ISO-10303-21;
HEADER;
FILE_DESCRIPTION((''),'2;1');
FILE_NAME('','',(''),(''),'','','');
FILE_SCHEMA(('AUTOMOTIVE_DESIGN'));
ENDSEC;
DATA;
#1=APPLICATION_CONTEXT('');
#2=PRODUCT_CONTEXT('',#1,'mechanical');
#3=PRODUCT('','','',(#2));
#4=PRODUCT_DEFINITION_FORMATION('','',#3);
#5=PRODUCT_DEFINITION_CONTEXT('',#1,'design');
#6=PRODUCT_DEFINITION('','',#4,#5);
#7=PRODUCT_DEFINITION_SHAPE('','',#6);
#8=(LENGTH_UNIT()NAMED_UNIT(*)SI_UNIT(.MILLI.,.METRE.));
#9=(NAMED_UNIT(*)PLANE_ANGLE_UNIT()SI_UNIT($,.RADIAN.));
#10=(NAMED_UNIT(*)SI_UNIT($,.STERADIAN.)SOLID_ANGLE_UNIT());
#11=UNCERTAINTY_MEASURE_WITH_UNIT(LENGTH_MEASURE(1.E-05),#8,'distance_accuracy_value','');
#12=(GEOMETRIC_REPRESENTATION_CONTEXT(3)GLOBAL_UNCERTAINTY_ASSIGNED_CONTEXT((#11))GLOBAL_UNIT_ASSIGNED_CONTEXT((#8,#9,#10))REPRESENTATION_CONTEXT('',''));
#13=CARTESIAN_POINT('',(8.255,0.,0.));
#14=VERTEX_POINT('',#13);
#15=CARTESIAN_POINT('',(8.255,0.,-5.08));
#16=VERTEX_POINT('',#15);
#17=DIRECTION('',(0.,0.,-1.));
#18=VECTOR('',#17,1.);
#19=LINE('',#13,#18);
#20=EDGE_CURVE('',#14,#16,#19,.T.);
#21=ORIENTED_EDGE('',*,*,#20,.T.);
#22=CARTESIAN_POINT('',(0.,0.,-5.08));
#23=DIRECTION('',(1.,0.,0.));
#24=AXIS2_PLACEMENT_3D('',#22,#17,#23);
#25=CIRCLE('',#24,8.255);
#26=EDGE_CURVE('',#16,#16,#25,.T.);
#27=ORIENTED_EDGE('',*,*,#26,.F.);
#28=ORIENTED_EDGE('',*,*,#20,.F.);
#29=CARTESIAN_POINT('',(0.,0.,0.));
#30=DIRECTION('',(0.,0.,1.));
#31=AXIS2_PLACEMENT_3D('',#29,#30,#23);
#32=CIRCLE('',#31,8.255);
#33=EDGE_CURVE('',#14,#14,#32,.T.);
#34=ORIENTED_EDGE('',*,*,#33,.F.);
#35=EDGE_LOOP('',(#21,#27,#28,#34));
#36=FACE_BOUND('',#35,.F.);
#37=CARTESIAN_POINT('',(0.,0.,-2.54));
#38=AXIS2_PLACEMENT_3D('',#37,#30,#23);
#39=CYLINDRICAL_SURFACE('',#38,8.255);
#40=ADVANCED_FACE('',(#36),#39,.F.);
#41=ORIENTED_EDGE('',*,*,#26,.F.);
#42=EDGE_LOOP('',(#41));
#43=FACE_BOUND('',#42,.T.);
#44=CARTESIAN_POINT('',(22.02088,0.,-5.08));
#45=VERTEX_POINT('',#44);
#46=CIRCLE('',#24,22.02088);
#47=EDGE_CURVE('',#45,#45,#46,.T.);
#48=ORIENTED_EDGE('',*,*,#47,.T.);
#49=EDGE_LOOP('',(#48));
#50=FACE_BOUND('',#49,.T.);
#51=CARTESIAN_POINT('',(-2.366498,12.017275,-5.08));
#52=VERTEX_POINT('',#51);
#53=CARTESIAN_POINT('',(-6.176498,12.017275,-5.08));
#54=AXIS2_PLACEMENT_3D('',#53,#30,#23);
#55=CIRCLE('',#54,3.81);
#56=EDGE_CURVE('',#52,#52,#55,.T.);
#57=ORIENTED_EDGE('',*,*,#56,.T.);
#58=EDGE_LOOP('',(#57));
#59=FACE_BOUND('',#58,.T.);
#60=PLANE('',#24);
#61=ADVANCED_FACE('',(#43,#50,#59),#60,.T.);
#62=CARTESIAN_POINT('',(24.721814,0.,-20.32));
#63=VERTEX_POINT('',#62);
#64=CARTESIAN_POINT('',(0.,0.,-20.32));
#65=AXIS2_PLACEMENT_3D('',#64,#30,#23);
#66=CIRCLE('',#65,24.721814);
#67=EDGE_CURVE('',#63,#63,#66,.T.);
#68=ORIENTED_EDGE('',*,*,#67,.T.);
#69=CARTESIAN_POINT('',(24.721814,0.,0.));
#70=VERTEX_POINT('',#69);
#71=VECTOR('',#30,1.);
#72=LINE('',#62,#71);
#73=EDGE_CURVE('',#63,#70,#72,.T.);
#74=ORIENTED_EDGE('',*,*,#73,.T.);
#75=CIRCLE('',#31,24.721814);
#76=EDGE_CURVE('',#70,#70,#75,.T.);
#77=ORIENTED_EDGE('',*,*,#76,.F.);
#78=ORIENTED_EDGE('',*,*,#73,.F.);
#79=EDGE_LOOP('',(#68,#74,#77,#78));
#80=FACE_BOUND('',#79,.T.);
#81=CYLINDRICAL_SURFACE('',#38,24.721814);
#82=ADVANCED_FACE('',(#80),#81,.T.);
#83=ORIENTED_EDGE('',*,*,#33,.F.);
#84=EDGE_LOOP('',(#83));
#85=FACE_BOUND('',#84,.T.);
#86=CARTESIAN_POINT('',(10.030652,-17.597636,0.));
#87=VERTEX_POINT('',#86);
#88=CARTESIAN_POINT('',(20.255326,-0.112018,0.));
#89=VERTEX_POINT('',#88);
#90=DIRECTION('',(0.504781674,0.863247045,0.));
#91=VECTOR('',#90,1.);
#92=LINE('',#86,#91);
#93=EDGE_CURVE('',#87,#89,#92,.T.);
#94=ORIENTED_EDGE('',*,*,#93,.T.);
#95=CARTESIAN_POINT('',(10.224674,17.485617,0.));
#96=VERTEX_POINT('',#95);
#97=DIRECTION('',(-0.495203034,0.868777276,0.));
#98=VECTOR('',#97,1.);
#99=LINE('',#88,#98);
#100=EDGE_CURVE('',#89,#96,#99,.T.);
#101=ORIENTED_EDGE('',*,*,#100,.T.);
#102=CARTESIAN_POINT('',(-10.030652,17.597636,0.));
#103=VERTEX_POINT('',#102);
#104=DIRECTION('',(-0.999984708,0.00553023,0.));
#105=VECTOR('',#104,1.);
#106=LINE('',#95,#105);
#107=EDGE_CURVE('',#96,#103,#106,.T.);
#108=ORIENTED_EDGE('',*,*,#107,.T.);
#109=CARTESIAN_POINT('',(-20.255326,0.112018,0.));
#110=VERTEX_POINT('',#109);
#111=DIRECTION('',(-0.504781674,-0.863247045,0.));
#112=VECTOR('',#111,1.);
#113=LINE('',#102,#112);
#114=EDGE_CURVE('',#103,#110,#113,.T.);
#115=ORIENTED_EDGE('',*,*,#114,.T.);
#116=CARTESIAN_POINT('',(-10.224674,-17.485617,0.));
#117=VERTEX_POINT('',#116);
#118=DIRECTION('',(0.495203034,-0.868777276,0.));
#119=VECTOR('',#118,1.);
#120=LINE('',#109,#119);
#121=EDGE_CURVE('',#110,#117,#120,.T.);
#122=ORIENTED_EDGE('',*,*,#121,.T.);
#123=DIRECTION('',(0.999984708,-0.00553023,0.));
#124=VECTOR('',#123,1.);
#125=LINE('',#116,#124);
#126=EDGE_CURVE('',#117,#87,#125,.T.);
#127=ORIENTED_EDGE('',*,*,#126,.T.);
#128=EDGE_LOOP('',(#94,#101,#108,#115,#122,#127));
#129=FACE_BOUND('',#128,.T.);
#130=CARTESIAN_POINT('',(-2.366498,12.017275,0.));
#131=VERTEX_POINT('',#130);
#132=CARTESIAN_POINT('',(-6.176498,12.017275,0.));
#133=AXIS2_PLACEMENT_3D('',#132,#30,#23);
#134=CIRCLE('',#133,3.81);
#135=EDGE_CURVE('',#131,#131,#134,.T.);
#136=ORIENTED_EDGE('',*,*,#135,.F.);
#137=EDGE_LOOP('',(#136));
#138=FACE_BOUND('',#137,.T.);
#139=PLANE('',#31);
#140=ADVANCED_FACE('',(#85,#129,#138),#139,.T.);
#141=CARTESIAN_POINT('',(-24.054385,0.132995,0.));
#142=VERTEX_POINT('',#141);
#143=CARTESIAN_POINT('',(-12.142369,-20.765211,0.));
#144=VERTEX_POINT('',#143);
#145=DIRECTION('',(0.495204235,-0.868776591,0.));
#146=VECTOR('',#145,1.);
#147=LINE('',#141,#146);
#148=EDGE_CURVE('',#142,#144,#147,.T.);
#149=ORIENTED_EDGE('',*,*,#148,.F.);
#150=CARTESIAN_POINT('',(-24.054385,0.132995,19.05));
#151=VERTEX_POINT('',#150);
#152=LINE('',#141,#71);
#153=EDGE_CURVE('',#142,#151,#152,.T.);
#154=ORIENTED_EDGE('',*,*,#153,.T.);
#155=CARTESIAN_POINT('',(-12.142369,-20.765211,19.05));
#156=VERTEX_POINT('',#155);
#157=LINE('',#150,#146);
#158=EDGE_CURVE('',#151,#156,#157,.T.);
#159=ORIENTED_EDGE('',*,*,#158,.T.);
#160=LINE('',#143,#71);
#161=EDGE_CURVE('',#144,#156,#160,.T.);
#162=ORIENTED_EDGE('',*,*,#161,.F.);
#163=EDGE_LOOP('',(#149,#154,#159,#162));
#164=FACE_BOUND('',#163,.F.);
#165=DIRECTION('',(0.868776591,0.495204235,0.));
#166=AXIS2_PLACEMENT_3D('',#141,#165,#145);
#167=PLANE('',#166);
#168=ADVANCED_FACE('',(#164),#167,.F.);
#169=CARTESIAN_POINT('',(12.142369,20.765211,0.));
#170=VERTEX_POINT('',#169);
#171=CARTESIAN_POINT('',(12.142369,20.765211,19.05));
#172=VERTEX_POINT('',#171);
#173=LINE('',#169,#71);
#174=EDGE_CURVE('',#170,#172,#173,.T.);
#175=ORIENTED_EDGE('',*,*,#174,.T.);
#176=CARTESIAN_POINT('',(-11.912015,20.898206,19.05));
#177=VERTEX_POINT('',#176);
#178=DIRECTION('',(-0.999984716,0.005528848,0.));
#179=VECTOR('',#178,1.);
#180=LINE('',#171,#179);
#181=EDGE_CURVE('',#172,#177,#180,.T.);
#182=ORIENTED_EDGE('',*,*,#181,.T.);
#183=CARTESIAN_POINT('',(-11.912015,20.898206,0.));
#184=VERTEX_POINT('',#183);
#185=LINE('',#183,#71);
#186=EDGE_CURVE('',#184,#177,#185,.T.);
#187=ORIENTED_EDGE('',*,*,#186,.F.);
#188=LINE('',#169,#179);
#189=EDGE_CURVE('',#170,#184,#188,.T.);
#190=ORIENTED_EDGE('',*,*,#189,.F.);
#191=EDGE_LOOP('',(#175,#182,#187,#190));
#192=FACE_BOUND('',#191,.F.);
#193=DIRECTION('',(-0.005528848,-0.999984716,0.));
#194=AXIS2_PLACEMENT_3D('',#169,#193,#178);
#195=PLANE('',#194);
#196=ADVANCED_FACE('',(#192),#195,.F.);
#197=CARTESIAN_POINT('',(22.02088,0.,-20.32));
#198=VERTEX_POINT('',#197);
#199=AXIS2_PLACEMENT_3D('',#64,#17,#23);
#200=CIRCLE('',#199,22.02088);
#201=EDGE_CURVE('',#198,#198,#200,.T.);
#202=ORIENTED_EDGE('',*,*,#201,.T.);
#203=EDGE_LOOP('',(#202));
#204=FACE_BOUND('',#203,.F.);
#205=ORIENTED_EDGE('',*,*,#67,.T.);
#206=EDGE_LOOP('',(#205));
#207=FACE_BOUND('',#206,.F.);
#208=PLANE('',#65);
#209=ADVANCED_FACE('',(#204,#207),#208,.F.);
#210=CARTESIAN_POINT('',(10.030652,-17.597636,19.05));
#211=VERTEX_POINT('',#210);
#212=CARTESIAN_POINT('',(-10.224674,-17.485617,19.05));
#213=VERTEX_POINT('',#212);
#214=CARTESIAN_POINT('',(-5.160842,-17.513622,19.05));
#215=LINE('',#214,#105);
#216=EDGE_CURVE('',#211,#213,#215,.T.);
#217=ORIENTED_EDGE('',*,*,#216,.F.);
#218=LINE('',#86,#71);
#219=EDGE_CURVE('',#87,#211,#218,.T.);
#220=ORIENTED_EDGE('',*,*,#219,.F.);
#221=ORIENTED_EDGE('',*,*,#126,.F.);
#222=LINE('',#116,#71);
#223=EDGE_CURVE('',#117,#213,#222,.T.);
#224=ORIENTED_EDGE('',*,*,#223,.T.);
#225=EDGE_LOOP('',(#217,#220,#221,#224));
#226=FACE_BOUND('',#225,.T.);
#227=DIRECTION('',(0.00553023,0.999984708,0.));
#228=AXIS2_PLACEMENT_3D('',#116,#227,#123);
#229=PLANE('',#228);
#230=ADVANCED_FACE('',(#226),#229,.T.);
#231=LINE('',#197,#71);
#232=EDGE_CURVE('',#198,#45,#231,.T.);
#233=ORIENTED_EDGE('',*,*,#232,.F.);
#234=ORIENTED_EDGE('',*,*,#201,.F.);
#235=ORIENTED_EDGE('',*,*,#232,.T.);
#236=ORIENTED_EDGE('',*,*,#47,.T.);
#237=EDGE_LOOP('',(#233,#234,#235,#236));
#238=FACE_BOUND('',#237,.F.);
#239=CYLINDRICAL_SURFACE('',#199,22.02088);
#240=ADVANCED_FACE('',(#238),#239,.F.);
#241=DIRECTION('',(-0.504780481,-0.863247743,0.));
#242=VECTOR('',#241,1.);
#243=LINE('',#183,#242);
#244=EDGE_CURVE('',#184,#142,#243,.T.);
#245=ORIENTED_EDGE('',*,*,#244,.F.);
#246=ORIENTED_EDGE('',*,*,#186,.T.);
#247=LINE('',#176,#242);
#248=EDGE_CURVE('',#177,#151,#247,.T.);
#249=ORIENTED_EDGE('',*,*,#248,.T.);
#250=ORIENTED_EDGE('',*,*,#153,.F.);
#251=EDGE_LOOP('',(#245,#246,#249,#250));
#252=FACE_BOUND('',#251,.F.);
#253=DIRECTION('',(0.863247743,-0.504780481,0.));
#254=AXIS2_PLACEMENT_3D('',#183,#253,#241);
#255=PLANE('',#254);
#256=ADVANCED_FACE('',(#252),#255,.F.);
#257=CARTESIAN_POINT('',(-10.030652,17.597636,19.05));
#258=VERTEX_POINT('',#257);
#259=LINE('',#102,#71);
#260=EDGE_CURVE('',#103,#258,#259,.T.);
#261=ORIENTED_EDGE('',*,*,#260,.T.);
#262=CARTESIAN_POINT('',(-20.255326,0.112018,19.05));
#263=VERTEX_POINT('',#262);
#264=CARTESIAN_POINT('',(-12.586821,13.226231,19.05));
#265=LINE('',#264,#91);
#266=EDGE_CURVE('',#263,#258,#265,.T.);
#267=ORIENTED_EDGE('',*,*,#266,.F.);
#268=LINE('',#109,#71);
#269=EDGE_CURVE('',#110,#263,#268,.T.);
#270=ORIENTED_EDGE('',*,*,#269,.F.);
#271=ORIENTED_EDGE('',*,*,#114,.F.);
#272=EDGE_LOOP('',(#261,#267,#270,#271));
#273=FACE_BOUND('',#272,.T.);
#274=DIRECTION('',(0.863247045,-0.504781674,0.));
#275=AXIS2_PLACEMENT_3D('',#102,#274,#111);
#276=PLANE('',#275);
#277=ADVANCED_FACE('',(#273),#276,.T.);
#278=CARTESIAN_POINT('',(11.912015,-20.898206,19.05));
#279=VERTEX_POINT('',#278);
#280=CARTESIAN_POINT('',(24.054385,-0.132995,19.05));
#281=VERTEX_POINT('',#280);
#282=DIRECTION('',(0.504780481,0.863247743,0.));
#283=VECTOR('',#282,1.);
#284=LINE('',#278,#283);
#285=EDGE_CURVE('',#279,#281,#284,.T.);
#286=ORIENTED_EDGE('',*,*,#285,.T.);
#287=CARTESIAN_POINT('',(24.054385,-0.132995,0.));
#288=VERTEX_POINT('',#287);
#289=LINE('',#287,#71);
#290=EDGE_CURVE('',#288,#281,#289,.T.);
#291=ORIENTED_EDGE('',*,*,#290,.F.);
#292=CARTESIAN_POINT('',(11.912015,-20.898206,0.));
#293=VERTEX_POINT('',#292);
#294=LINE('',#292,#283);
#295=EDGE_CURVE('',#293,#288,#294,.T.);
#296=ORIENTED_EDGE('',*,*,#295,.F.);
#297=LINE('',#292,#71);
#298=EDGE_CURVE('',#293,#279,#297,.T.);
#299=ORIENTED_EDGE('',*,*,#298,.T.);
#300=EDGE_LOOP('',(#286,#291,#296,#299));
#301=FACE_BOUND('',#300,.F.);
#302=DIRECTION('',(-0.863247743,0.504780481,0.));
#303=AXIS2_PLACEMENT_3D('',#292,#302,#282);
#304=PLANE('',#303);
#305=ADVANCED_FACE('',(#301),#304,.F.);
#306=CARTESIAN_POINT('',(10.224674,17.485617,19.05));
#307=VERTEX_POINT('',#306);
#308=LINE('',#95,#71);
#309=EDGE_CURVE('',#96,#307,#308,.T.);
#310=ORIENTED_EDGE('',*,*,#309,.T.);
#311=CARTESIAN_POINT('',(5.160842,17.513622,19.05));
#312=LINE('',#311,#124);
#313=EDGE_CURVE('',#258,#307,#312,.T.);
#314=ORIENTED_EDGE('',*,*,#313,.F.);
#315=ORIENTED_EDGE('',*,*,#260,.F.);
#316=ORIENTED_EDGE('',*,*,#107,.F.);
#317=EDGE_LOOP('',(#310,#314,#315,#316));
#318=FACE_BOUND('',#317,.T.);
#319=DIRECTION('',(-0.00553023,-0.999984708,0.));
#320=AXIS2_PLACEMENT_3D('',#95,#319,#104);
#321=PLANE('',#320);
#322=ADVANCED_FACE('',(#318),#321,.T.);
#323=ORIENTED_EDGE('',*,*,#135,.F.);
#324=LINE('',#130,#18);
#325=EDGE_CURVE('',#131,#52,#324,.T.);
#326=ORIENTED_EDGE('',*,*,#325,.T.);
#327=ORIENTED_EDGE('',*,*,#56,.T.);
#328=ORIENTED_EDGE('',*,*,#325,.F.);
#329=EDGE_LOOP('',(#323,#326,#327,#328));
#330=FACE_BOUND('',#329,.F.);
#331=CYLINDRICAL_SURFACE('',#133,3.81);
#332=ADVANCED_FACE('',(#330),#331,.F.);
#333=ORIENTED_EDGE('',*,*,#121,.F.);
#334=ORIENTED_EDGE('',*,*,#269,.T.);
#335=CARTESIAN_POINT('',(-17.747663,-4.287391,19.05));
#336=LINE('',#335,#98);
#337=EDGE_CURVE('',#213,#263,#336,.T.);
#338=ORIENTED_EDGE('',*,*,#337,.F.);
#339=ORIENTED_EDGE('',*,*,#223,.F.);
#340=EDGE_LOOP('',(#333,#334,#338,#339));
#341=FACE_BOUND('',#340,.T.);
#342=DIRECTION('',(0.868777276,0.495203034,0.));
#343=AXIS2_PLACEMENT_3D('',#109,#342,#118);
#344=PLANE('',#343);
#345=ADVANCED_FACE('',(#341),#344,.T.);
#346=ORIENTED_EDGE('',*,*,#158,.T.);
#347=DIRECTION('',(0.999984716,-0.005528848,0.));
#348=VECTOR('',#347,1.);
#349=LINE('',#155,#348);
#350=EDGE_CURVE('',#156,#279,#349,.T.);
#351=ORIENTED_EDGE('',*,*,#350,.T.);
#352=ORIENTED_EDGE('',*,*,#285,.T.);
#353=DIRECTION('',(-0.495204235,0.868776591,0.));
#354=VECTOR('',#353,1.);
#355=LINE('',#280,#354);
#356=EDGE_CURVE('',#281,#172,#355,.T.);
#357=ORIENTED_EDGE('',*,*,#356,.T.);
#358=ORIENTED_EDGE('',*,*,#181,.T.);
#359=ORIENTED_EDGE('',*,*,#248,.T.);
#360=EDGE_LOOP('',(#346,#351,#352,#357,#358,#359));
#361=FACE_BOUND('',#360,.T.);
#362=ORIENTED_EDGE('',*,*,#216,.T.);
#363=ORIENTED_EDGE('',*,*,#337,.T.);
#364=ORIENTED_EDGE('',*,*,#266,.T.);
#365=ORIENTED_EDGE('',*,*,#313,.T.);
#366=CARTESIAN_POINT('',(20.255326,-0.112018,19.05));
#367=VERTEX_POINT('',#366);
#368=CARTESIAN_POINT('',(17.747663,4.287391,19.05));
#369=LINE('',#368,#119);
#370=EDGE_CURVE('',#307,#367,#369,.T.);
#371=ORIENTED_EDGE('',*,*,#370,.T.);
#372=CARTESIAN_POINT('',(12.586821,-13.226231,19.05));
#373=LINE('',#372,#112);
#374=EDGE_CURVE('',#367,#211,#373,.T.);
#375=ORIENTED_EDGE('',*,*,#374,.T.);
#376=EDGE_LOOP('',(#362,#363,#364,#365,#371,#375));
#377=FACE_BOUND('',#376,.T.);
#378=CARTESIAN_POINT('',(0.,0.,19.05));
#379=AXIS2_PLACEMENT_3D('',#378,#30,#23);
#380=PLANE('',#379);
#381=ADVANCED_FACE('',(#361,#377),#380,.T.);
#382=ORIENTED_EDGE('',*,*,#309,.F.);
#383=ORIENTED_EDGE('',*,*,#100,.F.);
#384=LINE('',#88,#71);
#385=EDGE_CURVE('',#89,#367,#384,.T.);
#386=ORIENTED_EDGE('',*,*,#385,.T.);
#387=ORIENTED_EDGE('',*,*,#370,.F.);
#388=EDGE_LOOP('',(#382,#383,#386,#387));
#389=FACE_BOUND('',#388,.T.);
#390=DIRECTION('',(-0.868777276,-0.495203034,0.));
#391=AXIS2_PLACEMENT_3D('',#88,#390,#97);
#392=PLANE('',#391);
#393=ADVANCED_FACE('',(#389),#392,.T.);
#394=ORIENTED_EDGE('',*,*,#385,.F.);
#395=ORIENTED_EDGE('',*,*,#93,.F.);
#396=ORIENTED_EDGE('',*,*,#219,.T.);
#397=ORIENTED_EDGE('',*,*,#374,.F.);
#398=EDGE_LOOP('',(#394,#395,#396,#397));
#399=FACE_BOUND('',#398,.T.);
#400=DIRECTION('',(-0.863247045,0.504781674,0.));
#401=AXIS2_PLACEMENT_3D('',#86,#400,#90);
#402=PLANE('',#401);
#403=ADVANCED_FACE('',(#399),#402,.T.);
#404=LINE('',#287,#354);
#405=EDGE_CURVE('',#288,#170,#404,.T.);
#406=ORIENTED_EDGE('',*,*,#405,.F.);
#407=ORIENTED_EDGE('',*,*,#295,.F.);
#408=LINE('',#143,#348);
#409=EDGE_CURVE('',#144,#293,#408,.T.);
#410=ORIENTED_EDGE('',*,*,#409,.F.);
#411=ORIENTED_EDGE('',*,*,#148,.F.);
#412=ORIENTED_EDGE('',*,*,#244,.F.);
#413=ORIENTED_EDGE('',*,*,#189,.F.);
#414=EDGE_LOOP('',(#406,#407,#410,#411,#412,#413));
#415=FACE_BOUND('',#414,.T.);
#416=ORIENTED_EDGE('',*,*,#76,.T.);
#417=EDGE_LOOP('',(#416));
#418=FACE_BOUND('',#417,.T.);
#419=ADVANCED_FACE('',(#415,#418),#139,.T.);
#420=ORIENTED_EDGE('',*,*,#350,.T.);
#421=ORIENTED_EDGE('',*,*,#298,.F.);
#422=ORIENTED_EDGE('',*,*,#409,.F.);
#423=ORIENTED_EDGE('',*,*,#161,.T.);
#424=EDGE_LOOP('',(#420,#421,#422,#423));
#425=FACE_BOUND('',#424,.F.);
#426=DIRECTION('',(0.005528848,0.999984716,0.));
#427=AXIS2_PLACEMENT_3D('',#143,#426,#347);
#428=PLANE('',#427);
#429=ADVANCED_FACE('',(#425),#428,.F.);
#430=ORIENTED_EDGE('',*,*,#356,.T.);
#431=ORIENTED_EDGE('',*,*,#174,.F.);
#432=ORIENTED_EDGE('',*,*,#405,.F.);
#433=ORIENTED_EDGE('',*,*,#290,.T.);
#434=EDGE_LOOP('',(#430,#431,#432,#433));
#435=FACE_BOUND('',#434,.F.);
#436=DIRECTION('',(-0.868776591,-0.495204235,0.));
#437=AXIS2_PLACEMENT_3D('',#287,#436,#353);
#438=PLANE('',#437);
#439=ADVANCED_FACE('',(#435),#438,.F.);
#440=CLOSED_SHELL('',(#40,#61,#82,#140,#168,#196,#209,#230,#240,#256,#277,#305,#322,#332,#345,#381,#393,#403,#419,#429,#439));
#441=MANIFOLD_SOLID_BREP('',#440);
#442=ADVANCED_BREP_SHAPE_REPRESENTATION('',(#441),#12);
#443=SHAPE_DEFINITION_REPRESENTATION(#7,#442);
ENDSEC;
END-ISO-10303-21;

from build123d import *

# Parameters (mm, degrees)
F2_DEPTH  = 19.05
F3_DEPTH  = 67.818
F4_R      = 24.7218142408
F5_DEPTH  = 2.54
F6_R      = 8.255
F7_DEPTH  = 60.706
F8_DEPTH  = 17.78
F9_R      = 22.0208797998
F9_R_2    = 8.255
F10_DEPTH = 15.24
F11_R     = 3.81
F12_DEPTH = 25.4


with BuildPart() as f2:
    # F0 (on Top) → F2 (new body)
    with BuildSketch(Plane.XY):
        Polygon((11.9120152821, -20.8982058203), (24.0543847749, -0.1329950655), (12.1423694928, 20.7652107547), (-11.9120152821, 20.8982058203), (-24.0543847749, 0.1329950655), (-12.1423694928, -20.7652107547), align=None)
    extrude(amount=F2_DEPTH)

    # F1 (on face) → F3 (cut)
    with BuildSketch(Plane.XY):
        Polygon((20.2553256916, -0.1120183326), (10.2246735675, 17.4856174446), (-10.0306521241, 17.5976357771), (-20.2553256916, 0.1120183326), (-10.2246735675, -17.4856174446), (10.0306521241, -17.5976357771), align=None)
    extrude(amount=F3_DEPTH, mode=Mode.SUBTRACT)

    # F4 (on Top) → F5 (join)
    with BuildSketch(Plane.XY):
        Circle(F4_R)
    extrude(amount=-F5_DEPTH)

    # F6 (on face) → F7 (cut)
    with BuildSketch(Plane.XY):
        Circle(F6_R)
    extrude(amount=-F7_DEPTH, mode=Mode.SUBTRACT)

    # F8 (add): a face of the model
    f8_faces = [f2.faces().sort_by_distance(p)[0] for p in [
        (-24.0225757411, 0, -2.54),
    ]]
    extrude(f8_faces, amount=F8_DEPTH)

    # F9 (on face) → F10 (cut)
    with BuildSketch(Plane(origin=(0, 0, -20.32), x_dir=(1, 0, 0), z_dir=(0, 0, -1))):
        Circle(F9_R)
        Circle(F9_R_2, mode=Mode.SUBTRACT)
    extrude(amount=-F10_DEPTH, mode=Mode.SUBTRACT)

    # F11 (on face) → F12 (cut)
    with BuildSketch(Plane.XY):
        with Locations((-6.1764977872, 12.0172752067)):
            Circle(F11_R)
    extrude(amount=-F12_DEPTH, mode=Mode.SUBTRACT)


solid = f2.part
